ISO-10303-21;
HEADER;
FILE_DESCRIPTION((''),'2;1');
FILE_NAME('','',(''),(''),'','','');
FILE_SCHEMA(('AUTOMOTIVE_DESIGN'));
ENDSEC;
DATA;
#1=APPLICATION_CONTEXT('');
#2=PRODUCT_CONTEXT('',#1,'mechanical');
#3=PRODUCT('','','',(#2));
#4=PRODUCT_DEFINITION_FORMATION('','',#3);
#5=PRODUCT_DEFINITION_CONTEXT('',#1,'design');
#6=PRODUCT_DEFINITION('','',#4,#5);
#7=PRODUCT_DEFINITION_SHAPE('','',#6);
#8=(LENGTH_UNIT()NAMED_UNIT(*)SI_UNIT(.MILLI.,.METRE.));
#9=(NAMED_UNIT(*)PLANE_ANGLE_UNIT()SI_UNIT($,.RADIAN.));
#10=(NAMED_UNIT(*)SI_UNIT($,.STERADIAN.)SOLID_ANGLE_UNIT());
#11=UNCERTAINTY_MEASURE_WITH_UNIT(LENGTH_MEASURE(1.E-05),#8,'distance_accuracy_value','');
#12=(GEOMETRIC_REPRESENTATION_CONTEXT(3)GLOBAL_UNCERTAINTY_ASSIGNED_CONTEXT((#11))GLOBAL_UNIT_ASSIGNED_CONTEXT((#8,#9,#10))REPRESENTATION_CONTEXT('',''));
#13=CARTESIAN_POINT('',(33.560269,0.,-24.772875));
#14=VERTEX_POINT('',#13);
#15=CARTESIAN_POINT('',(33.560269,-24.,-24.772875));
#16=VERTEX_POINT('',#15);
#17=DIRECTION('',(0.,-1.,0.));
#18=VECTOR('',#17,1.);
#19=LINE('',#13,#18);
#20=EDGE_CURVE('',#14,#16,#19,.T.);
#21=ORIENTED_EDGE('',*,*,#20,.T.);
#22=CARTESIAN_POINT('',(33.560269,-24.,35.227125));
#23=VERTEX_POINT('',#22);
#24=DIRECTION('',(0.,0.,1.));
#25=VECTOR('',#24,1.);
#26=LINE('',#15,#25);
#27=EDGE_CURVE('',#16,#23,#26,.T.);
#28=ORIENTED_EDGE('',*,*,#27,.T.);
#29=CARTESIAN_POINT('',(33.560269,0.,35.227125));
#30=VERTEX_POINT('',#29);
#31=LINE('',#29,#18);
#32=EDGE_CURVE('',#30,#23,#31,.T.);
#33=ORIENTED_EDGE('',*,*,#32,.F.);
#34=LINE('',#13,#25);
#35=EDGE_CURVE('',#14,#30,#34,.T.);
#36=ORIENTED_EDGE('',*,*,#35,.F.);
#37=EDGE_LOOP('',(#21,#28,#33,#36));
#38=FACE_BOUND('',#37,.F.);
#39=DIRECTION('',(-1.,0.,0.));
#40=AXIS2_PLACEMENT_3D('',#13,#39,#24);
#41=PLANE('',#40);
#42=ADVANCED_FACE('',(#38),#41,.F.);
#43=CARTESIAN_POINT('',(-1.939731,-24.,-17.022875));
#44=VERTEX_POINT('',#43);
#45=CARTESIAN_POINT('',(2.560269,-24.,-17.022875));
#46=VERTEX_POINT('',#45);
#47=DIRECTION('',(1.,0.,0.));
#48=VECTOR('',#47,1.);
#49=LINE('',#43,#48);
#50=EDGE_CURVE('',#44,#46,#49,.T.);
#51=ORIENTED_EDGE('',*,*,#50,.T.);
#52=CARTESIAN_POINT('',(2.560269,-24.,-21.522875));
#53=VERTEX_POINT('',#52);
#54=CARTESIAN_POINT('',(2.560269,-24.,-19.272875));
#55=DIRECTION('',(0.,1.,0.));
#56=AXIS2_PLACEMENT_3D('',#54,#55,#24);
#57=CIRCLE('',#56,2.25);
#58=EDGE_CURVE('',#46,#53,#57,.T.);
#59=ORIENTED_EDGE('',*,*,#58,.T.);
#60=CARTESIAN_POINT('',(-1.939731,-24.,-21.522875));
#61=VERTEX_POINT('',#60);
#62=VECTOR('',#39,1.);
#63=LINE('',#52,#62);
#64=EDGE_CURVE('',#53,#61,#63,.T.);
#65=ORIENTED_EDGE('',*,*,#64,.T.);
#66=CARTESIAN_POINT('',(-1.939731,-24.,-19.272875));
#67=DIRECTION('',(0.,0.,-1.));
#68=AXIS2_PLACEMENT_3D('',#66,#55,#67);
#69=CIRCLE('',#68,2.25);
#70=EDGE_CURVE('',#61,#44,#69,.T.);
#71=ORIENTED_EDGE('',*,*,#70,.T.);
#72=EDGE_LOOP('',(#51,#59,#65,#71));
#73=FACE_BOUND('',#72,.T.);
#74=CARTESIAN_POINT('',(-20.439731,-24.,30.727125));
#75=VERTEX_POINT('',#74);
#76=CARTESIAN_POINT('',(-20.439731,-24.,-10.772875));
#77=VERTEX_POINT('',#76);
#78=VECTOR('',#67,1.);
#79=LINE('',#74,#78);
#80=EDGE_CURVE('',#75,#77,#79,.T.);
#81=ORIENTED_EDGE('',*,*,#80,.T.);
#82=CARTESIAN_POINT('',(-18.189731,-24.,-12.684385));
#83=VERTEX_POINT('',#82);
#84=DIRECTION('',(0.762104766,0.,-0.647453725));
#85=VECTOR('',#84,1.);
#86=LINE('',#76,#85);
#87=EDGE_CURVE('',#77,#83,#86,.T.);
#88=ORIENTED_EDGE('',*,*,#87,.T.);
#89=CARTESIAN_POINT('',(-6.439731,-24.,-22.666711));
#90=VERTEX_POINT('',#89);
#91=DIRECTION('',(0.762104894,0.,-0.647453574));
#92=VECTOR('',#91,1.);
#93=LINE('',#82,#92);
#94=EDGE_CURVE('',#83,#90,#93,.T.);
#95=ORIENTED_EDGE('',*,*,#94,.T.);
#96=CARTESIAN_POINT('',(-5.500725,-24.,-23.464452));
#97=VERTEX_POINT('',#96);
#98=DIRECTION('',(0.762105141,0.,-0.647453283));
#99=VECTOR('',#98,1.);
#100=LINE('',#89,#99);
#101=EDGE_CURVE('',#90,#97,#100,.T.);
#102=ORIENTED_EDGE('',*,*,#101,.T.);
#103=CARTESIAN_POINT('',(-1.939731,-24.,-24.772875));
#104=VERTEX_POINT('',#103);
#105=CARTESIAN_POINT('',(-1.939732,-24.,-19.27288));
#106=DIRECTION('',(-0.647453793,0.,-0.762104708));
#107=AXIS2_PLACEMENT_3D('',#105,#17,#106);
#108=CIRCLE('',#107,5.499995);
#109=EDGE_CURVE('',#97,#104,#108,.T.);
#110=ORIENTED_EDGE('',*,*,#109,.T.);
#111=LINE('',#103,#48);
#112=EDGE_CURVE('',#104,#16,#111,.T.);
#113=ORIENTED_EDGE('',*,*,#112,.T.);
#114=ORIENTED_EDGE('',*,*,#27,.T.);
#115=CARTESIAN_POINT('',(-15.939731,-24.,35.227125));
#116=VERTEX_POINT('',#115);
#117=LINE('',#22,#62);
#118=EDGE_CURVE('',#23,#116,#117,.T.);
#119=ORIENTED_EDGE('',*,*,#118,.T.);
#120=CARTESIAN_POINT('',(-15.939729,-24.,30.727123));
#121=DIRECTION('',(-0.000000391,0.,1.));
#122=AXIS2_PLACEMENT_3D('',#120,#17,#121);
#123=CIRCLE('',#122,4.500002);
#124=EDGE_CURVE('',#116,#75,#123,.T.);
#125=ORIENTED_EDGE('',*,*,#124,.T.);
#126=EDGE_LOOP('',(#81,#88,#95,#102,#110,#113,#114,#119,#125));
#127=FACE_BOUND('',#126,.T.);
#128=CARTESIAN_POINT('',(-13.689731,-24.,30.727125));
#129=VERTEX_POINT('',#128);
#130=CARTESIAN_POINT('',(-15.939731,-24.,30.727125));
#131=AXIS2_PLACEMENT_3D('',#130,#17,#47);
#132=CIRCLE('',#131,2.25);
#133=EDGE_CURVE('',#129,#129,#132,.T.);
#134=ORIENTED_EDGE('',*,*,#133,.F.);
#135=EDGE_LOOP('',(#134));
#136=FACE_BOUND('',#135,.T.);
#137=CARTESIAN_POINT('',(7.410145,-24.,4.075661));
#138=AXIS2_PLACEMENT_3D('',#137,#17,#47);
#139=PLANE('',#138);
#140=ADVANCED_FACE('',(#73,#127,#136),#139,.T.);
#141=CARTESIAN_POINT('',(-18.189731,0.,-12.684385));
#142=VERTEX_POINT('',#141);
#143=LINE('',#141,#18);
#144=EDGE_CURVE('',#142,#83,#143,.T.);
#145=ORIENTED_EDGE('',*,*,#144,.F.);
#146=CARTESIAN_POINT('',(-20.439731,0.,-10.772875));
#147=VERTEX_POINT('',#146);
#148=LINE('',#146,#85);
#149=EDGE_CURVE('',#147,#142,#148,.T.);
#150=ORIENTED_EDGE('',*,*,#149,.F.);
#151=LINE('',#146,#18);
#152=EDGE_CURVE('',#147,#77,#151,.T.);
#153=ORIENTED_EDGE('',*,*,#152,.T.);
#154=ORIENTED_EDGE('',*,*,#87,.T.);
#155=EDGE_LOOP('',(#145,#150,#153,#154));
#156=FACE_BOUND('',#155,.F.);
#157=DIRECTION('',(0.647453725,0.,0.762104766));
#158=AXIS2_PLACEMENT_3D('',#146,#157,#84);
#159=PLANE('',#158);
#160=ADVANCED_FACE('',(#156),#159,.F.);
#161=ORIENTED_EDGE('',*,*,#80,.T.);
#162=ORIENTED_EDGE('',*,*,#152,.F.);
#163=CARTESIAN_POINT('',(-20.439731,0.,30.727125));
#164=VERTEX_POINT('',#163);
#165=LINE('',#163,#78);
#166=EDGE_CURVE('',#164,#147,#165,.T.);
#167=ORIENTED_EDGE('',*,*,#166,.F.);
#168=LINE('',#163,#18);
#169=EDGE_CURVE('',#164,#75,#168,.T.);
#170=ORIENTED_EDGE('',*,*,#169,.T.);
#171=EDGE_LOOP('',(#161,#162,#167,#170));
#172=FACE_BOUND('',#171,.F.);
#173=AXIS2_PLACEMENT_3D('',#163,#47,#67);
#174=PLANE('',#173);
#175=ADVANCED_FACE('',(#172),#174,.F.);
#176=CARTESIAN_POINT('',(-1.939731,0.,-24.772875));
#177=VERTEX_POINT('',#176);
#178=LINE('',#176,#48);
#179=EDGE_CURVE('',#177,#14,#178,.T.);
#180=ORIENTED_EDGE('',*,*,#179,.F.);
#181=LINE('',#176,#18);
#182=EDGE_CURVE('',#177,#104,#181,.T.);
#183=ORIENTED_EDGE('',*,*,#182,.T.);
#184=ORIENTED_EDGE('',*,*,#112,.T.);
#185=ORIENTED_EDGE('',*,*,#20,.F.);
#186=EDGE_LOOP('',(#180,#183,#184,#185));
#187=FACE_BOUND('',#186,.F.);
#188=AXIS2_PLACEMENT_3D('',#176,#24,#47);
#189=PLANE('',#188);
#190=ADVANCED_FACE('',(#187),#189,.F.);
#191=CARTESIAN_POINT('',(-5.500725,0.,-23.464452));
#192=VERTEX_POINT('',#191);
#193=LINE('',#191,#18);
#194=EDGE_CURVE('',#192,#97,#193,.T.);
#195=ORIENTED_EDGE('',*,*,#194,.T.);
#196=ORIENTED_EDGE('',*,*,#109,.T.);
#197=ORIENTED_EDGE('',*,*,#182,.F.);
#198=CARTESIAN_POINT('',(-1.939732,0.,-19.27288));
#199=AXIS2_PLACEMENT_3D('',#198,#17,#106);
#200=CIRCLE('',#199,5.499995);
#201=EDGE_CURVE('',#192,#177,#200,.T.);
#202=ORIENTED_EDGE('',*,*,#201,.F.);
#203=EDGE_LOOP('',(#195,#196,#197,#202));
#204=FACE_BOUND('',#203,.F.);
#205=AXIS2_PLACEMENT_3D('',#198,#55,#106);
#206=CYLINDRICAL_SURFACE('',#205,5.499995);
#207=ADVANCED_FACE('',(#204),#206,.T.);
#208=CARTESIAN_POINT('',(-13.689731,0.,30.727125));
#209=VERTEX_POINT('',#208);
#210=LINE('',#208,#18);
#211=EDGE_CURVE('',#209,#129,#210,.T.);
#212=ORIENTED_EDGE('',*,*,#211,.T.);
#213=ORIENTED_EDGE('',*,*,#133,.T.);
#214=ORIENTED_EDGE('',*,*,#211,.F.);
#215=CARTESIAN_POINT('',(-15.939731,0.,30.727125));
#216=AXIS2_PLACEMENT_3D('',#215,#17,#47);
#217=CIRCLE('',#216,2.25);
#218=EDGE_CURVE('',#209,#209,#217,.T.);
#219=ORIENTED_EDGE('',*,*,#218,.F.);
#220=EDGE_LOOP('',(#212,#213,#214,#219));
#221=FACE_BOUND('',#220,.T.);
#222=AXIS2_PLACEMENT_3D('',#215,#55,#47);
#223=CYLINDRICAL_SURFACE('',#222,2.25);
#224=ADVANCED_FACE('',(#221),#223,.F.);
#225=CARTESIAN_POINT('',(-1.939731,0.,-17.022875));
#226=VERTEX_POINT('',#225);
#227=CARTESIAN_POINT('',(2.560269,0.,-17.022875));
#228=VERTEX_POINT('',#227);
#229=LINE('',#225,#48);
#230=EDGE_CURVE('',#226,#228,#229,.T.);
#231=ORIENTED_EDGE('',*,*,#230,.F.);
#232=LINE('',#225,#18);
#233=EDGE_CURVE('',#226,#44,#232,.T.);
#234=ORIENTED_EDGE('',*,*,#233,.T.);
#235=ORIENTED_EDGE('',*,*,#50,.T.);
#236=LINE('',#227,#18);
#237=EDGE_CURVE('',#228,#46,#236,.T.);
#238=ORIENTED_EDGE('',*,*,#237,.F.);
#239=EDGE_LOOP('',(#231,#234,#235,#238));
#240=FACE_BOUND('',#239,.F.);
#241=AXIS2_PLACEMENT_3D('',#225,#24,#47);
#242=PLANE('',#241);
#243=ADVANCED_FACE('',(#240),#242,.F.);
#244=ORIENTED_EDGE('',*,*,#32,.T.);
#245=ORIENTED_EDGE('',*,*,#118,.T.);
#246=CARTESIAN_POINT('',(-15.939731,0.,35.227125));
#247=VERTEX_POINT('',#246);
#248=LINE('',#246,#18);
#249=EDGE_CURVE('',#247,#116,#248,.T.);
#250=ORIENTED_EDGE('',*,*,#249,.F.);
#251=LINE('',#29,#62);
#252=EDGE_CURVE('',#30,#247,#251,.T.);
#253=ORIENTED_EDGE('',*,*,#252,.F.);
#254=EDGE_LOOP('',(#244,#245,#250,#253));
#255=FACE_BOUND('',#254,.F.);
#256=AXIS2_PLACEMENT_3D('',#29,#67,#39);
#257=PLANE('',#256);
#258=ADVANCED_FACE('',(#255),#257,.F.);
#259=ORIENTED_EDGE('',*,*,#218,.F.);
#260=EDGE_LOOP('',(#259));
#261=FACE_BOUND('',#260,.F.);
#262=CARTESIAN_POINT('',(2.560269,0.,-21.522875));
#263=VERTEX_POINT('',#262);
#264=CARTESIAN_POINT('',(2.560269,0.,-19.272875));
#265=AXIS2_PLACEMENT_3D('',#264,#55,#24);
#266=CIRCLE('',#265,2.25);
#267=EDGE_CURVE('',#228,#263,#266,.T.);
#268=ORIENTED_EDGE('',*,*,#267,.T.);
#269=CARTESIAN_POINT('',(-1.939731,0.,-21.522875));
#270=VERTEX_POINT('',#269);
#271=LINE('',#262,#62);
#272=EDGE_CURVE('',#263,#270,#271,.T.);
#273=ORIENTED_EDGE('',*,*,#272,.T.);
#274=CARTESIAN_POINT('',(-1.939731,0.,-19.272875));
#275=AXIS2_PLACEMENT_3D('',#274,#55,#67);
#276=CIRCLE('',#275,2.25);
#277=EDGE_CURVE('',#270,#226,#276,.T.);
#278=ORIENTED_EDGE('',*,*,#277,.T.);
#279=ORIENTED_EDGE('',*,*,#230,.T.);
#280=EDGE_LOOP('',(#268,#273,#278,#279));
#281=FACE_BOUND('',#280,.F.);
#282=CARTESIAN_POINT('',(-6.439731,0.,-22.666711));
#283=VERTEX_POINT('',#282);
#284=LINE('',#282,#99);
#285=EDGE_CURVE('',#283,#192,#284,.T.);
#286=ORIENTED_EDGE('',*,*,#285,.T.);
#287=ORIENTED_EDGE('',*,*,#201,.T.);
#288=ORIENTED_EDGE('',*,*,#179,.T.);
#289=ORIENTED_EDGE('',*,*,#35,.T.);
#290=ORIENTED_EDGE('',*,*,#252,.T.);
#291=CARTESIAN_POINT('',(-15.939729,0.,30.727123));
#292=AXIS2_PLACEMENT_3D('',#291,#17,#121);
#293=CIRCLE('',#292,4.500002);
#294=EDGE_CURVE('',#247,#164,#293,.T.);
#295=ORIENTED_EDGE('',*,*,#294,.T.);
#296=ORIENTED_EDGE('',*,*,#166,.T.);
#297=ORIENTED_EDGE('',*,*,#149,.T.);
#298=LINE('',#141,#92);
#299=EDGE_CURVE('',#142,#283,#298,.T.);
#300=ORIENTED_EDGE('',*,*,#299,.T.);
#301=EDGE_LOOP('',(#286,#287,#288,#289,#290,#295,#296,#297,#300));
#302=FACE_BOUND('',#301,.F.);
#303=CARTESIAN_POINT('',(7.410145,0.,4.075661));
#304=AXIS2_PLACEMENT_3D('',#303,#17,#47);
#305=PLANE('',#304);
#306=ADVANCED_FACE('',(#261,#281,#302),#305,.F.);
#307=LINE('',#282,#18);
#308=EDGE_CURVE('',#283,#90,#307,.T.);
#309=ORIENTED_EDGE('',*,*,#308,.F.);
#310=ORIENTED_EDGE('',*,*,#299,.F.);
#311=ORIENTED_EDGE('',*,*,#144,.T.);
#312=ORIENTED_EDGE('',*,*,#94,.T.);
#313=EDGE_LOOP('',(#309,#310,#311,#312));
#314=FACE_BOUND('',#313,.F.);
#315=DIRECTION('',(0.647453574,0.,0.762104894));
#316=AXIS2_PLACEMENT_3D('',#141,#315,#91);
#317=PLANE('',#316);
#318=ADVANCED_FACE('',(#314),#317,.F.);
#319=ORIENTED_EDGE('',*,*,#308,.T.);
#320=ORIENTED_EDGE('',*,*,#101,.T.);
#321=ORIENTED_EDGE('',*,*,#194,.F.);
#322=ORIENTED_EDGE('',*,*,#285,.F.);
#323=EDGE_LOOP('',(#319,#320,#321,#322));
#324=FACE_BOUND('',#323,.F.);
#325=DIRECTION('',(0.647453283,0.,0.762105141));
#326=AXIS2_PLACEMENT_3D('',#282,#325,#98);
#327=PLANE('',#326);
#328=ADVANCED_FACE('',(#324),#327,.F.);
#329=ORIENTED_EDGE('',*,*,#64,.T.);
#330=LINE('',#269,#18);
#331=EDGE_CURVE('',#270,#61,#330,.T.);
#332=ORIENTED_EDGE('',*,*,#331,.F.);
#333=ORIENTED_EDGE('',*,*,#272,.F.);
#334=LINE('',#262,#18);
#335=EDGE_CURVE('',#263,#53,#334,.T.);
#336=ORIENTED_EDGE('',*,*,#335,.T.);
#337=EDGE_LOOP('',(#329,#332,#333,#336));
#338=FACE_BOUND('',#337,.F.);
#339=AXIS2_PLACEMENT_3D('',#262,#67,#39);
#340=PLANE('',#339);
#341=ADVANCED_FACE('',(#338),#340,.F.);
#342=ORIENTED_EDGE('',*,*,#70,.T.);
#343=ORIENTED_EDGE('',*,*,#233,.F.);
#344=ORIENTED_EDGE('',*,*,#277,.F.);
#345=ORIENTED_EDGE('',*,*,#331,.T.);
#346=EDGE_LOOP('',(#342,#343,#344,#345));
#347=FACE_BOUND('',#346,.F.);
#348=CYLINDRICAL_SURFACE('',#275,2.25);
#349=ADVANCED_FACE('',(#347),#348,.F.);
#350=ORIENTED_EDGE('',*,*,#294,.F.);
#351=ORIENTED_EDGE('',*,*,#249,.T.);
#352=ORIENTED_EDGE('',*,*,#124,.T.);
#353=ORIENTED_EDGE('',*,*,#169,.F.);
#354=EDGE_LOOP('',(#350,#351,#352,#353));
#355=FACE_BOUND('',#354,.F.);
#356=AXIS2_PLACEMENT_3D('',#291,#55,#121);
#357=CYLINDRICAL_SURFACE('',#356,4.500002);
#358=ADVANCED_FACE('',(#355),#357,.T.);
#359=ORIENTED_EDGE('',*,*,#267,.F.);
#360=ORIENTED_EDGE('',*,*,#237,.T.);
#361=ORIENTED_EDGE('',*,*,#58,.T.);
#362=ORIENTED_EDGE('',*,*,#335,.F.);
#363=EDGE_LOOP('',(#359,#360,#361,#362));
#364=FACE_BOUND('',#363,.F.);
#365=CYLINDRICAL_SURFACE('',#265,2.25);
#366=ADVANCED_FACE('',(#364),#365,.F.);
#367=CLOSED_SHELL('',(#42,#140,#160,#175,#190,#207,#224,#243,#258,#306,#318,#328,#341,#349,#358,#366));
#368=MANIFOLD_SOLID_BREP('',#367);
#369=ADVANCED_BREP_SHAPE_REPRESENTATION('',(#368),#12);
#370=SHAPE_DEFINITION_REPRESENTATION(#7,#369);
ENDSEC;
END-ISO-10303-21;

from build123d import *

# Parameters (mm, degrees)
F0_R     = 2.25
F1_DEPTH = 24


with BuildPart() as f1:
    # F0 (on Front) → F1 (new body)
    with BuildSketch(Plane.XZ):
        with BuildLine():
            Line((33.560269, 35.227125), (-15.939731, 35.227125))
            ThreePointArc((-15.939731, 35.227125), (-19.121711, 33.909105), (-20.439731, 30.727125))
            Line((-20.439731, 30.727125), (-20.439731, -10.772875))
            Line((-20.439731, -10.772875), (-18.189731, -12.684385))
            Line((-18.189731, -12.684385), (-6.439731, -22.666711))
            Line((-6.439731, -22.666711), (-5.500725, -23.464452))
            ThreePointArc((-5.500725, -23.464452), (-7.102272, -17.375993), (-1.939731, -13.772875))
            Line((-1.939731, -13.772875), (2.560269, -13.772875))
            ThreePointArc((2.560269, -13.772875), (8.060269, -19.272875), (2.560269, -24.772875))
            Line((2.560269, -24.772875), (33.560269, -24.772875))
            Line((33.560269, -24.772875), (33.560269, 35.227125))
        make_face()
        with Locations((-15.939731, 30.727125)):
            Circle(F0_R, mode=Mode.SUBTRACT)
        with BuildLine():
            Line((-1.939731, -24.772875), (2.560269, -24.772875))
            ThreePointArc((2.560269, -24.772875), (8.060269, -19.272875), (2.560269, -13.772875))
            Line((2.560269, -13.772875), (-1.939731, -13.772875))
            ThreePointArc((-1.939731, -13.772875), (-7.102272, -17.375993), (-5.500725, -23.464452))
            ThreePointArc((-5.500725, -23.464452), (-3.836613, -24.435417), (-1.939731, -24.772875))
        make_face()
        with BuildLine():
            ThreePointArc((-1.939731, -21.522875), (-4.189731, -19.272875), (-1.939731, -17.022875))
            Line((-1.939731, -17.022875), (2.560269, -17.022875))
            ThreePointArc((2.560269, -17.022875), (4.810269, -19.272875), (2.560269, -21.522875))
            Line((2.560269, -21.522875), (-1.939731, -21.522875))
        make_face(mode=Mode.SUBTRACT)
    extrude(amount=F1_DEPTH)


solid = f1.part
